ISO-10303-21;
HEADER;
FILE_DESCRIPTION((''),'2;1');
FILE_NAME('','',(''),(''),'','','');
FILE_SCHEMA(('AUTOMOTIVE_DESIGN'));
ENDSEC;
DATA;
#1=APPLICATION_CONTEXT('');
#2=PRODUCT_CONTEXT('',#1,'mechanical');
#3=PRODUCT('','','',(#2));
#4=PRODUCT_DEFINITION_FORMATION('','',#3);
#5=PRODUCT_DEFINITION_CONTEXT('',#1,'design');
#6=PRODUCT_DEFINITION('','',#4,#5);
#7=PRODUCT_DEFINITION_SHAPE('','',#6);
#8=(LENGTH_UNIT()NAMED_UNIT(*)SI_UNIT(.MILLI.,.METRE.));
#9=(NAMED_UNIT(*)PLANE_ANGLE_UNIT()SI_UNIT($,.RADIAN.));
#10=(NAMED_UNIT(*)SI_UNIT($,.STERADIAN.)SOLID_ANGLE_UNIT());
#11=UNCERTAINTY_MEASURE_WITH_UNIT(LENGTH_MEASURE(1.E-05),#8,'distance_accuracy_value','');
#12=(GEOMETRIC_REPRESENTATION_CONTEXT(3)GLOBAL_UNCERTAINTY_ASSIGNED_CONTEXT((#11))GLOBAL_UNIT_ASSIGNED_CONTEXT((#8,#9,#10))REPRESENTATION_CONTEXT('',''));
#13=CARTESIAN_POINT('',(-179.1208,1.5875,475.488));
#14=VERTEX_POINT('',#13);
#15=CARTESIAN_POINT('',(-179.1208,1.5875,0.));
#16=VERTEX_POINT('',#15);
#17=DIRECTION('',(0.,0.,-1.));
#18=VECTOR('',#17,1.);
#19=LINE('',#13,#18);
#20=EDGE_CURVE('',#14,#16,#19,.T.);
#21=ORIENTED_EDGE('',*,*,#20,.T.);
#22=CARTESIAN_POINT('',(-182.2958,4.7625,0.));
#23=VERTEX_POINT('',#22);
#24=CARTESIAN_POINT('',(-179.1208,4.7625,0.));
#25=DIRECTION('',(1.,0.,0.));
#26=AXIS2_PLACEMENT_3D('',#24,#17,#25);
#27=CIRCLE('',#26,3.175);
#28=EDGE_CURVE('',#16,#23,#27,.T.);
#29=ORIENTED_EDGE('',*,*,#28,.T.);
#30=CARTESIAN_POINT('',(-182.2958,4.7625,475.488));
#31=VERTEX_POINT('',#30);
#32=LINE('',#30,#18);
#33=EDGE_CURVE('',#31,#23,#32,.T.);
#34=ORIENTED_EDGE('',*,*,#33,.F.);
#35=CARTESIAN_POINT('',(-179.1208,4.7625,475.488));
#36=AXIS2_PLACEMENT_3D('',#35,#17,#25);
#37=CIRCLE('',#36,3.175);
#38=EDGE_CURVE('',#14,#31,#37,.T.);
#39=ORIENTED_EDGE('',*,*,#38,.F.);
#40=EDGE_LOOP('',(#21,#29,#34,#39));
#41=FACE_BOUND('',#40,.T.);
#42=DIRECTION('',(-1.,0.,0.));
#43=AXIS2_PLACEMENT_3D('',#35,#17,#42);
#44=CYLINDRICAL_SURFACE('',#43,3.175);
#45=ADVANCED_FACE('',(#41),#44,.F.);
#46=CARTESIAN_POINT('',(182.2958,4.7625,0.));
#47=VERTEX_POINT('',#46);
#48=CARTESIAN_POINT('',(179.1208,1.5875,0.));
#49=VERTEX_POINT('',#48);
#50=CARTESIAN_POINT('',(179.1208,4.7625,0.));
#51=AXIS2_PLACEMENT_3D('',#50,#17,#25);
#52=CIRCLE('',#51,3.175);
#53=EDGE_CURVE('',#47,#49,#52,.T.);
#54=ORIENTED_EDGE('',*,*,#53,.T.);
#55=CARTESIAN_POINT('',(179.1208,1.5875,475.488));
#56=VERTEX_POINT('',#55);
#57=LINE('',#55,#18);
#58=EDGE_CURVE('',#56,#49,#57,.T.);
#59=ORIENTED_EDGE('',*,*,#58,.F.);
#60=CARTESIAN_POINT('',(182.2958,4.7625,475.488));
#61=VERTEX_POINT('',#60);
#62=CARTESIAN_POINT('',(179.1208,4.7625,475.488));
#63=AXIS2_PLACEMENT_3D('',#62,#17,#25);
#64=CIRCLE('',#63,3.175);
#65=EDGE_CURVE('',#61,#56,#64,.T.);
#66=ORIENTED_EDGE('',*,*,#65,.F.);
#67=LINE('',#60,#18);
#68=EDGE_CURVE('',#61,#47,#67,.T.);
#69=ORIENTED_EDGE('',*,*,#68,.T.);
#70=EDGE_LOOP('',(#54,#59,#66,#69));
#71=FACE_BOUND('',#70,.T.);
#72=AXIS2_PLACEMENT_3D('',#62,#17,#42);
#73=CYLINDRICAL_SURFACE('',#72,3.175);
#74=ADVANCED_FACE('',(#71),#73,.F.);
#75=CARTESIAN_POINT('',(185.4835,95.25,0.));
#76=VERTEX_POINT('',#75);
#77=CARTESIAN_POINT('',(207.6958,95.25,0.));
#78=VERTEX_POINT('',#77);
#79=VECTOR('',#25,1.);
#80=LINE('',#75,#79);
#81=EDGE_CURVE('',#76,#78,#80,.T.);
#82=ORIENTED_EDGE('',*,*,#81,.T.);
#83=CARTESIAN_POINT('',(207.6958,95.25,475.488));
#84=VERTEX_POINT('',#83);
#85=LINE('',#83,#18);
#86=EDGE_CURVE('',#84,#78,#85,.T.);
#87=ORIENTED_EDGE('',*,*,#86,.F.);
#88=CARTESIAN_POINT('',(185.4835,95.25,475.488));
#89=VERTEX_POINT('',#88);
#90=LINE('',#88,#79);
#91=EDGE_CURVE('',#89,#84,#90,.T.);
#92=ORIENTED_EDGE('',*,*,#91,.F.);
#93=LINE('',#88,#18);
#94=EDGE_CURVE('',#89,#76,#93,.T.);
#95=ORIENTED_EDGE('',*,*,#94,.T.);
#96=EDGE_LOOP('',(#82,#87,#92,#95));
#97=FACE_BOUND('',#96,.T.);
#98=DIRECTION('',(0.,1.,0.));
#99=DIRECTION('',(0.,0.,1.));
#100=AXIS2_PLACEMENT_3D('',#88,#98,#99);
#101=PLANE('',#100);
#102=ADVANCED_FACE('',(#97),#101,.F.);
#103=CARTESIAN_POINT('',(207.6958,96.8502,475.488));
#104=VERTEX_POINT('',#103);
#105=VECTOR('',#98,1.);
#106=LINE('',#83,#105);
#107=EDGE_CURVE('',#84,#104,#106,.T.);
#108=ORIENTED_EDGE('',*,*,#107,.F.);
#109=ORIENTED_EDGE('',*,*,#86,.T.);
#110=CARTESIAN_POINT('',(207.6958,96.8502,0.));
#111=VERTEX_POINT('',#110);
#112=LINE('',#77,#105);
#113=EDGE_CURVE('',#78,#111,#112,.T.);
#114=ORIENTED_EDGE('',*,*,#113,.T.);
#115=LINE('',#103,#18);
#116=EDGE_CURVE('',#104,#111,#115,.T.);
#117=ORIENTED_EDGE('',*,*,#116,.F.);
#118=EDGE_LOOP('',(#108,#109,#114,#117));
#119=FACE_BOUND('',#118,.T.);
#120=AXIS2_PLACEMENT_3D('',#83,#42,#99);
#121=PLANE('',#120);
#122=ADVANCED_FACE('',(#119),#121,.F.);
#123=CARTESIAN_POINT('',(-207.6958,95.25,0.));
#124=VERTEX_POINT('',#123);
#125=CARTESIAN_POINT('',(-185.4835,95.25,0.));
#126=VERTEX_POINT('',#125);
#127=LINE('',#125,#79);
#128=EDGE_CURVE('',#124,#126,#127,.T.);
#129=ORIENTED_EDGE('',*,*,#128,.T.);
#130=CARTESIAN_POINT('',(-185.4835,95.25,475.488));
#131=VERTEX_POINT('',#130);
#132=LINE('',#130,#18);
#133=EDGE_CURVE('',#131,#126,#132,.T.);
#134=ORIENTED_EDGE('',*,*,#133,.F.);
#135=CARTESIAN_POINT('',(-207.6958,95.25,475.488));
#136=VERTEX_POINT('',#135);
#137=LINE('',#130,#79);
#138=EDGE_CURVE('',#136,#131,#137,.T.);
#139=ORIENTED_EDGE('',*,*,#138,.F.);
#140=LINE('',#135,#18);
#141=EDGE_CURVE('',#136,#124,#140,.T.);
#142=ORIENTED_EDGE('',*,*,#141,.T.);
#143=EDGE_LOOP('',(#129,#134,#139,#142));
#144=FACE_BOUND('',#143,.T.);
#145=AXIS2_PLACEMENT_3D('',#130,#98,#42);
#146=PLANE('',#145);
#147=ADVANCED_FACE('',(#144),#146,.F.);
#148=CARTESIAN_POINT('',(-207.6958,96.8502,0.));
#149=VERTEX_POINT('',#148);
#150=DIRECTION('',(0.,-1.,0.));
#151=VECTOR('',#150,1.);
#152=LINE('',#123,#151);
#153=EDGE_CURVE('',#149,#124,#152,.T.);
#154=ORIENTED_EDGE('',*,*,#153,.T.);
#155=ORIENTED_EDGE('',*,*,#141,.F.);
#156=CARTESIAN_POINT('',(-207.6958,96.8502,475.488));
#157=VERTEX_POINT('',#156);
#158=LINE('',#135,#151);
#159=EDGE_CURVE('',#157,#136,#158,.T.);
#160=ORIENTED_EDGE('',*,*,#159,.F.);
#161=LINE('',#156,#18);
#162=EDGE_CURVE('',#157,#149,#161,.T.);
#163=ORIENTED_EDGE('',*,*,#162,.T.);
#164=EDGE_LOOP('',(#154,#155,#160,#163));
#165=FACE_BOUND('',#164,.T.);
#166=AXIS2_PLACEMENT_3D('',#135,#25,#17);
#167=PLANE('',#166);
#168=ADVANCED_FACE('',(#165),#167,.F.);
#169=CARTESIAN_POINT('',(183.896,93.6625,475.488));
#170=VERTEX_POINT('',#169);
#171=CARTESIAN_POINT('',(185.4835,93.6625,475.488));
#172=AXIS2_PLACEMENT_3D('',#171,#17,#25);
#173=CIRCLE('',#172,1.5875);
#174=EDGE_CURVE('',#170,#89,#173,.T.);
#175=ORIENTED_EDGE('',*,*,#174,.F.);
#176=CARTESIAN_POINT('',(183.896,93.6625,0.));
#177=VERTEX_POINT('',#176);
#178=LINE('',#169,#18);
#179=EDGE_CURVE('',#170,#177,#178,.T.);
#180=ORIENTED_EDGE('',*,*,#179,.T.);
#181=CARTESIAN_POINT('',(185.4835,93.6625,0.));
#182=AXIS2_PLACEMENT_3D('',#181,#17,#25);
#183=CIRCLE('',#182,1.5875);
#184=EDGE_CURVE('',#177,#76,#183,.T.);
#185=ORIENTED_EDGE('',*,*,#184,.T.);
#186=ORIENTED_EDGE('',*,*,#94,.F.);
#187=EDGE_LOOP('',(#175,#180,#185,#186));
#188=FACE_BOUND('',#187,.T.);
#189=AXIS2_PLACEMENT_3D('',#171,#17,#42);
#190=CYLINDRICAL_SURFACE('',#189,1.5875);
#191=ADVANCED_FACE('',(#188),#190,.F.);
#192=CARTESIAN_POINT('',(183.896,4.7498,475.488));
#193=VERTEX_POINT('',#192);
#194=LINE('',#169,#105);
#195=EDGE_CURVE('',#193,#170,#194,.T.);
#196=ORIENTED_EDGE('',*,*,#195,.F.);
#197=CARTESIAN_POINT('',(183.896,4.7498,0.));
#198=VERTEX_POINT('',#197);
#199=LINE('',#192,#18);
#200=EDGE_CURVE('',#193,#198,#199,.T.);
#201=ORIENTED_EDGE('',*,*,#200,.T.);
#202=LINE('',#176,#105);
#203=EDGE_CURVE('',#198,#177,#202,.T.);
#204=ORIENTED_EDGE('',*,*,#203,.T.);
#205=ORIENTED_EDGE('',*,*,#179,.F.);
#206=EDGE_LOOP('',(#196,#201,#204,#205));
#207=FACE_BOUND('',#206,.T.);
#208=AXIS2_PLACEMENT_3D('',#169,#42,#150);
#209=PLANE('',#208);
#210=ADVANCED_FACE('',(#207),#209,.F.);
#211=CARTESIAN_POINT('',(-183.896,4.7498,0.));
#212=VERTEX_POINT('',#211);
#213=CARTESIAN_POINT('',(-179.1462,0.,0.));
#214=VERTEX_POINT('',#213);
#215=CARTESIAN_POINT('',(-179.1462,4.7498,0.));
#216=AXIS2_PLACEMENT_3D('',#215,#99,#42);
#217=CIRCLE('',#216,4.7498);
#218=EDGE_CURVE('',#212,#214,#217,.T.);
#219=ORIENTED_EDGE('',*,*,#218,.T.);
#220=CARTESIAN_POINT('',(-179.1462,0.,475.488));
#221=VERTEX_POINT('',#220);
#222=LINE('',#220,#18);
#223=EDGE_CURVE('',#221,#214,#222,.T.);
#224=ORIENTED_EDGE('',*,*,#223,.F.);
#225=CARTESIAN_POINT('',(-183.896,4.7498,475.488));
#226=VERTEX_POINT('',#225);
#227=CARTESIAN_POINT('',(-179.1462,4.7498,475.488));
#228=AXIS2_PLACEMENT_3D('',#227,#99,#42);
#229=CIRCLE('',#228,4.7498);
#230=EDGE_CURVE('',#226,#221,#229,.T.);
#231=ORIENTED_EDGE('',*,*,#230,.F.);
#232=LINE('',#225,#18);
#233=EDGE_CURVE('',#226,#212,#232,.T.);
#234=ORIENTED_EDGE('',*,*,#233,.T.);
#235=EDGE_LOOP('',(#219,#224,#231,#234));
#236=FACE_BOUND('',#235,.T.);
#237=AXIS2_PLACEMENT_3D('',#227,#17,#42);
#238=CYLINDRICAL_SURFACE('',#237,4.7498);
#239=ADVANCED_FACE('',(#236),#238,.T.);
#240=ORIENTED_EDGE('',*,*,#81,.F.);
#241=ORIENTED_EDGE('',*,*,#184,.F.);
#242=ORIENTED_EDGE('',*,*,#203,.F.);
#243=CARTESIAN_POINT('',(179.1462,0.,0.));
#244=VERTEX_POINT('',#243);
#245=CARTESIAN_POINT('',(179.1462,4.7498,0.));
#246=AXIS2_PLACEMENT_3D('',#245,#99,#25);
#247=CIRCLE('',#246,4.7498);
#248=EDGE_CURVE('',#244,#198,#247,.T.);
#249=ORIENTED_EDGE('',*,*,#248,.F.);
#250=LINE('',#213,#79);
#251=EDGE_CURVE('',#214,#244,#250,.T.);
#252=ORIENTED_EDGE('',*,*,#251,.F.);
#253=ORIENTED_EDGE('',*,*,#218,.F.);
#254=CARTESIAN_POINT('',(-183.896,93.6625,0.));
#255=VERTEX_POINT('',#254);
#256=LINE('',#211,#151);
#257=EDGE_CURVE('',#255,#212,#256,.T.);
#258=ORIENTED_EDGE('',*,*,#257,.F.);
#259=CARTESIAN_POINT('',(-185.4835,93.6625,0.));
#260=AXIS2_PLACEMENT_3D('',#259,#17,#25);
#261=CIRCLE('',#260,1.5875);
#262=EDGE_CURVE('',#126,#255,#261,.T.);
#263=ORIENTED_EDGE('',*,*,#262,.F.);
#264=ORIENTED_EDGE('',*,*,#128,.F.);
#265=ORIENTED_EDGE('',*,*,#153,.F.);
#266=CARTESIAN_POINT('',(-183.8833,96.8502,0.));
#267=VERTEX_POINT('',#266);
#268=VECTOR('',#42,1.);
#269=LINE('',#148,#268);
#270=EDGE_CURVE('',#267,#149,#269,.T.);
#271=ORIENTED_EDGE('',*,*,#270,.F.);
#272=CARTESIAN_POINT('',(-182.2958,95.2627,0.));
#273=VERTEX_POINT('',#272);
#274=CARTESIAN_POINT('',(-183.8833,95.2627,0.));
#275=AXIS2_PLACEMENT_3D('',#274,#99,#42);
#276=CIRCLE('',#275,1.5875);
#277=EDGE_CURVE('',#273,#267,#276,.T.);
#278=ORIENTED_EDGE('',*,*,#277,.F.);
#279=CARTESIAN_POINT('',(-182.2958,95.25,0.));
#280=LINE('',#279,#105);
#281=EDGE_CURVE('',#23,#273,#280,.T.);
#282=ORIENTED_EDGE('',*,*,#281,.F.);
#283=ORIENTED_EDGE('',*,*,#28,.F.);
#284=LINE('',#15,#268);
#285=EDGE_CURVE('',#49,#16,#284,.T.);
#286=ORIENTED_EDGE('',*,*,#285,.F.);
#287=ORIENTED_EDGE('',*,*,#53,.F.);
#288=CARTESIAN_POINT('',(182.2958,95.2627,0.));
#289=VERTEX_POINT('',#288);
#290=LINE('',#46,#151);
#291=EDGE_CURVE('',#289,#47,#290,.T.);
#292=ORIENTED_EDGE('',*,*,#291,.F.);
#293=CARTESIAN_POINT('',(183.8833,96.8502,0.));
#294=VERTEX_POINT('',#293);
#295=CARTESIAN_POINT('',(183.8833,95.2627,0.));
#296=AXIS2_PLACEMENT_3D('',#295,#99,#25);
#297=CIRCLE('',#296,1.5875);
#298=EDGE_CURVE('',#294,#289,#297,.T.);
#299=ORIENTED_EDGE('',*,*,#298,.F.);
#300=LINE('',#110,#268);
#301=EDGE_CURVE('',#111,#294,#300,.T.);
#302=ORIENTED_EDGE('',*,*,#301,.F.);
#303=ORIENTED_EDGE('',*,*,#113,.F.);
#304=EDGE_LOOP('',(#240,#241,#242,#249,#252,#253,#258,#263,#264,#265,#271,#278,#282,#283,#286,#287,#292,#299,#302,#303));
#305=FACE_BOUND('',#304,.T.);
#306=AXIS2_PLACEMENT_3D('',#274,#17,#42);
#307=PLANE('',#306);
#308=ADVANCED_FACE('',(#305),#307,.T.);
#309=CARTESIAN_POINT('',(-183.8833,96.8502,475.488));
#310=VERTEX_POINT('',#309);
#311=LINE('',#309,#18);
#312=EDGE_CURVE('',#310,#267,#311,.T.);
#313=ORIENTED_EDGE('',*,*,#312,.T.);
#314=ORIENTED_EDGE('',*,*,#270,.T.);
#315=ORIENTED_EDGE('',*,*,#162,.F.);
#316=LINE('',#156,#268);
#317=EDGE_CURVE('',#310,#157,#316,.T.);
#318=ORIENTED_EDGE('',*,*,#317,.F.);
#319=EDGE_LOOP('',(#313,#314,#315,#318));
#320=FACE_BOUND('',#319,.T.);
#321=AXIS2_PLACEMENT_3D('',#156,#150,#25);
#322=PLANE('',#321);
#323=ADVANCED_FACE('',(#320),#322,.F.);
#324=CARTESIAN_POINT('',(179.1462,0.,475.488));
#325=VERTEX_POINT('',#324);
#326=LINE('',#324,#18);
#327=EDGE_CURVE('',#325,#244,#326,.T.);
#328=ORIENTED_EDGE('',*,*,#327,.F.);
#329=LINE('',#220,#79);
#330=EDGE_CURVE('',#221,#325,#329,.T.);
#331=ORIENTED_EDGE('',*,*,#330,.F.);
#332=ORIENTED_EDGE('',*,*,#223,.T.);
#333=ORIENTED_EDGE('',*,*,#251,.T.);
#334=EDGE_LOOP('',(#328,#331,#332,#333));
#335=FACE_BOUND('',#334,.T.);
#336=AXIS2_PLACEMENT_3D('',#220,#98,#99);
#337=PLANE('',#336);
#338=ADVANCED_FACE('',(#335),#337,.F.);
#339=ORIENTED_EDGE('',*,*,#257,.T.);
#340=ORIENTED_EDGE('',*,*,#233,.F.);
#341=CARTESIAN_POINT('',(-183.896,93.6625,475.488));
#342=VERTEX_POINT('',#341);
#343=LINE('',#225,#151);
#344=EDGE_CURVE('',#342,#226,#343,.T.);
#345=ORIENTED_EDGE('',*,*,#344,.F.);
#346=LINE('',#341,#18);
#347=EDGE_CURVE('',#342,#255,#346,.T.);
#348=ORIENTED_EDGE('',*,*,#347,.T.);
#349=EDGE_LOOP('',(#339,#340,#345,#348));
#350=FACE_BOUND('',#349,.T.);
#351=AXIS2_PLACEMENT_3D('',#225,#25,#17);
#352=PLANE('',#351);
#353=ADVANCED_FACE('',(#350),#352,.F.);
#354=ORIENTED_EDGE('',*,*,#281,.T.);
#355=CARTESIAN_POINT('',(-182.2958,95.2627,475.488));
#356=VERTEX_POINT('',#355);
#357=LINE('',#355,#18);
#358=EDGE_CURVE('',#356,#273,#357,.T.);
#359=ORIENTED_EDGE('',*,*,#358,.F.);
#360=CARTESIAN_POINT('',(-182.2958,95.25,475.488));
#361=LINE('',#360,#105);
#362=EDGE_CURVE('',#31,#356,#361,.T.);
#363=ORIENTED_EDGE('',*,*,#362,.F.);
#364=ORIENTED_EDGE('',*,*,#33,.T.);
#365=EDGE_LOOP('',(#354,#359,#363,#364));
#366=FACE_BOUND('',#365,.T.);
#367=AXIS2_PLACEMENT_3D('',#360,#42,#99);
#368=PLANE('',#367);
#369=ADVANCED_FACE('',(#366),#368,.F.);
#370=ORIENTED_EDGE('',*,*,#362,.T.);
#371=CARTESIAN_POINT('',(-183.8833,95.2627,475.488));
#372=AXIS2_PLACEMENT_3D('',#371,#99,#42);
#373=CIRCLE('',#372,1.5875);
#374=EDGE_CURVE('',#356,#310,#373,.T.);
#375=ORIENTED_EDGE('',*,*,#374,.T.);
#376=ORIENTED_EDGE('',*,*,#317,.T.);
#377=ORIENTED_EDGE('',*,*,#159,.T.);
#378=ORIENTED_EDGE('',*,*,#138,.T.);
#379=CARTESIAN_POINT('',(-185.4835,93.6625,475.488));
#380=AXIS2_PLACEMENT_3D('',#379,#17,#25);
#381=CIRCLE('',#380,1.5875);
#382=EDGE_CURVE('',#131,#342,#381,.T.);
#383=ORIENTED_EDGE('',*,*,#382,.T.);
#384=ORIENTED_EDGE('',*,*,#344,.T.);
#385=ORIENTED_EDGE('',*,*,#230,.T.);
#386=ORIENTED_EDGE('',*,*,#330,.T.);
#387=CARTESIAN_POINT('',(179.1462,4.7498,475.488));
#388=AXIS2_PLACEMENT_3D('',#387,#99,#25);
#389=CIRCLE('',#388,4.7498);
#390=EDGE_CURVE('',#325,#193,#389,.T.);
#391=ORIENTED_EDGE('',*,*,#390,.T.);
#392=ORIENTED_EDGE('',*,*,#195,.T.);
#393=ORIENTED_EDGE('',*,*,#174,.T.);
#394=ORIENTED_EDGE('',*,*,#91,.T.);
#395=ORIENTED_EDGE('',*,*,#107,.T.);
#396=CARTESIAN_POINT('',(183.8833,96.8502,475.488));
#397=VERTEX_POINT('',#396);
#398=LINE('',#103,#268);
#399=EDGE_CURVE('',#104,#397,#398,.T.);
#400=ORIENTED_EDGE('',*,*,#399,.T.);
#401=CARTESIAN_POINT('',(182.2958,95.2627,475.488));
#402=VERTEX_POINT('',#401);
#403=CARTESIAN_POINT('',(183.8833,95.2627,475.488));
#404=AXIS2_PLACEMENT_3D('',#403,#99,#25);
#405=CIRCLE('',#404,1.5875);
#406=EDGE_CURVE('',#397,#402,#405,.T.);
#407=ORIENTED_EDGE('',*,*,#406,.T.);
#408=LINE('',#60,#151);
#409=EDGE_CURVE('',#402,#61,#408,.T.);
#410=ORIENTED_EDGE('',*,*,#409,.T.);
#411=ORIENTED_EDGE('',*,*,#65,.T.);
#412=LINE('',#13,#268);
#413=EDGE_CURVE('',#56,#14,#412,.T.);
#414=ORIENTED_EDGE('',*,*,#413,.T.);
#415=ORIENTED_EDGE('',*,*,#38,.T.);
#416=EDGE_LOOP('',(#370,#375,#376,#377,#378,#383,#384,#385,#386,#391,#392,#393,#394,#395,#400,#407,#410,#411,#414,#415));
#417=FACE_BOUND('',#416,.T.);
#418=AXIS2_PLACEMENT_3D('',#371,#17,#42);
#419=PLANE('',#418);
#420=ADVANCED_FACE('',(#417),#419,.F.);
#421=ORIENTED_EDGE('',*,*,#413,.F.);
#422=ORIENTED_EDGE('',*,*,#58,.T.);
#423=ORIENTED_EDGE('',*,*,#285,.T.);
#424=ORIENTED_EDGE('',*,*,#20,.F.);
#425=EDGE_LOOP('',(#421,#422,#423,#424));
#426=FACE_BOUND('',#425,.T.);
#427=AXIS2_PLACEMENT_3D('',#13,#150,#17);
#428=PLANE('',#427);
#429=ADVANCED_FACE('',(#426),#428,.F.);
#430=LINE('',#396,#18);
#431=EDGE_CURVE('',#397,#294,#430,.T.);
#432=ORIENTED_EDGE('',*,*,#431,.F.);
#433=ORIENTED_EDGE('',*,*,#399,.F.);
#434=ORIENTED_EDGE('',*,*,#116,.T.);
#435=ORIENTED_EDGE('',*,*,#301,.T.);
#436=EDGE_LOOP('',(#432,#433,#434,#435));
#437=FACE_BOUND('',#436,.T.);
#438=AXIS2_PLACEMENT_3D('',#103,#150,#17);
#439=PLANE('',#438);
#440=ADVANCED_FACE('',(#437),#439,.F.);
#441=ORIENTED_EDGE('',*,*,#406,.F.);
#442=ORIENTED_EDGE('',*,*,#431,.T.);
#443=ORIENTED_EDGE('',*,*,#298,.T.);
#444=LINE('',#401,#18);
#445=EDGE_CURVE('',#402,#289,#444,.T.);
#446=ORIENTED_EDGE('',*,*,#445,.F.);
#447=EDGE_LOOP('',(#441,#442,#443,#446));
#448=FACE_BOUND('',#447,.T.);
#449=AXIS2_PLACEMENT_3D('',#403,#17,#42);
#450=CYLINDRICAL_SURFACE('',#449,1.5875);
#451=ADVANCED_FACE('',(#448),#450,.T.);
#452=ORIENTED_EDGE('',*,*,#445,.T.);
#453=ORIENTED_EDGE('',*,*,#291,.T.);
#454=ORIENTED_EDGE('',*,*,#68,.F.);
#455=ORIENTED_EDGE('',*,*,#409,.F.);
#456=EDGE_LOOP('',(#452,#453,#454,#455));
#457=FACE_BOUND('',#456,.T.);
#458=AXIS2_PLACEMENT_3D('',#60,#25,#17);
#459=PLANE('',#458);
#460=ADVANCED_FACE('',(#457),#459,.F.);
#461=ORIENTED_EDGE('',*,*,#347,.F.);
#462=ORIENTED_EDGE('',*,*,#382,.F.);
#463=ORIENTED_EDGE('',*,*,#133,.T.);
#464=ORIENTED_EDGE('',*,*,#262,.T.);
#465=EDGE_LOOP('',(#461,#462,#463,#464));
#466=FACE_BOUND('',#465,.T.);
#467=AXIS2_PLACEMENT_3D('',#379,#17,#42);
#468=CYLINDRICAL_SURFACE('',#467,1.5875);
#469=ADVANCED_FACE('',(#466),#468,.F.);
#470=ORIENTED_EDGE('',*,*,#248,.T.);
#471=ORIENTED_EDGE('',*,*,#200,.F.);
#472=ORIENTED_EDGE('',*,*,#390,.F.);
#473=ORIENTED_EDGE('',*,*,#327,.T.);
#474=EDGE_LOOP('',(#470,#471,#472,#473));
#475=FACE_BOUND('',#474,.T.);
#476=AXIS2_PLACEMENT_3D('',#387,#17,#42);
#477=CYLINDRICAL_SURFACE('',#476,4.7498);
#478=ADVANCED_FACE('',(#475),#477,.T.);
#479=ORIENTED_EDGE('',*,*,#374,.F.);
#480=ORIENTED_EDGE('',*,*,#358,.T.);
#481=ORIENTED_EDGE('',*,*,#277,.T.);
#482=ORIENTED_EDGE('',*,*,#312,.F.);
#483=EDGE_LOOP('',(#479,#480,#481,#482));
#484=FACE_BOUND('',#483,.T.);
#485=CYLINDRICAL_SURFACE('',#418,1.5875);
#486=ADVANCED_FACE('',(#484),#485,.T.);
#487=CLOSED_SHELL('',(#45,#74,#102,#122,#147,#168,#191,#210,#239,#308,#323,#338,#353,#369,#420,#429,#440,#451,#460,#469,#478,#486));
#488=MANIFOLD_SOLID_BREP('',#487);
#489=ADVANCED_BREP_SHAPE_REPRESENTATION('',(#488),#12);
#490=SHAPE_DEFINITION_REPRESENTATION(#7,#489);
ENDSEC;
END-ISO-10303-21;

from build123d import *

# Parameters (mm, degrees)
BOSS_EXTRUDE1_DEPTH = 475.488


with BuildPart() as part:
    # Sketch2 → Boss-Extrude1 (new body)
    with BuildSketch(Plane.XY):
        with BuildLine():
            Line((-179.1462, 0), (179.1462, 0))
            ThreePointArc((179.1462, 0), (182.504815789, 1.391184211), (183.896, 4.7498))
            Line((183.896, 4.7498), (183.896, 93.6625))
            ThreePointArc((183.896, 93.6625), (184.360967985, 94.785032015), (185.4835, 95.25))
            Line((185.4835, 95.25), (207.6958, 95.25))
            Line((207.6958, 95.25), (207.6958, 96.8502))
            Line((207.6958, 96.8502), (183.8833, 96.8502))
            ThreePointArc((183.8833, 96.8502), (182.760767985, 96.385232015), (182.2958, 95.2627))
            Line((182.2958, 95.2627), (182.2958, 4.7625))
            ThreePointArc((182.2958, 4.7625), (181.36586403, 2.51743597), (179.1208, 1.5875))
            Line((179.1208, 1.5875), (-179.1208, 1.5875))
            ThreePointArc((-179.1208, 1.5875), (-181.36586403, 2.51743597), (-182.2958, 4.7625))
            Line((-182.2958, 4.7625), (-182.2958, 95.25))
            Line((-182.2958, 95.25), (-182.2958, 95.2627))
            ThreePointArc((-182.2958, 95.2627), (-182.760767985, 96.385232015), (-183.8833, 96.8502))
            Line((-183.8833, 96.8502), (-207.6958, 96.8502))
            Line((-207.6958, 96.8502), (-207.6958, 95.25))
            Line((-207.6958, 95.25), (-185.4835, 95.25))
            ThreePointArc((-185.4835, 95.25), (-184.360967985, 94.785032015), (-183.896, 93.6625))
            Line((-183.896, 93.6625), (-183.896, 4.7498))
            ThreePointArc((-183.896, 4.7498), (-182.504815789, 1.391184211), (-179.1462, 0))
        make_face()
    extrude(amount=BOSS_EXTRUDE1_DEPTH)


solid = part.part
